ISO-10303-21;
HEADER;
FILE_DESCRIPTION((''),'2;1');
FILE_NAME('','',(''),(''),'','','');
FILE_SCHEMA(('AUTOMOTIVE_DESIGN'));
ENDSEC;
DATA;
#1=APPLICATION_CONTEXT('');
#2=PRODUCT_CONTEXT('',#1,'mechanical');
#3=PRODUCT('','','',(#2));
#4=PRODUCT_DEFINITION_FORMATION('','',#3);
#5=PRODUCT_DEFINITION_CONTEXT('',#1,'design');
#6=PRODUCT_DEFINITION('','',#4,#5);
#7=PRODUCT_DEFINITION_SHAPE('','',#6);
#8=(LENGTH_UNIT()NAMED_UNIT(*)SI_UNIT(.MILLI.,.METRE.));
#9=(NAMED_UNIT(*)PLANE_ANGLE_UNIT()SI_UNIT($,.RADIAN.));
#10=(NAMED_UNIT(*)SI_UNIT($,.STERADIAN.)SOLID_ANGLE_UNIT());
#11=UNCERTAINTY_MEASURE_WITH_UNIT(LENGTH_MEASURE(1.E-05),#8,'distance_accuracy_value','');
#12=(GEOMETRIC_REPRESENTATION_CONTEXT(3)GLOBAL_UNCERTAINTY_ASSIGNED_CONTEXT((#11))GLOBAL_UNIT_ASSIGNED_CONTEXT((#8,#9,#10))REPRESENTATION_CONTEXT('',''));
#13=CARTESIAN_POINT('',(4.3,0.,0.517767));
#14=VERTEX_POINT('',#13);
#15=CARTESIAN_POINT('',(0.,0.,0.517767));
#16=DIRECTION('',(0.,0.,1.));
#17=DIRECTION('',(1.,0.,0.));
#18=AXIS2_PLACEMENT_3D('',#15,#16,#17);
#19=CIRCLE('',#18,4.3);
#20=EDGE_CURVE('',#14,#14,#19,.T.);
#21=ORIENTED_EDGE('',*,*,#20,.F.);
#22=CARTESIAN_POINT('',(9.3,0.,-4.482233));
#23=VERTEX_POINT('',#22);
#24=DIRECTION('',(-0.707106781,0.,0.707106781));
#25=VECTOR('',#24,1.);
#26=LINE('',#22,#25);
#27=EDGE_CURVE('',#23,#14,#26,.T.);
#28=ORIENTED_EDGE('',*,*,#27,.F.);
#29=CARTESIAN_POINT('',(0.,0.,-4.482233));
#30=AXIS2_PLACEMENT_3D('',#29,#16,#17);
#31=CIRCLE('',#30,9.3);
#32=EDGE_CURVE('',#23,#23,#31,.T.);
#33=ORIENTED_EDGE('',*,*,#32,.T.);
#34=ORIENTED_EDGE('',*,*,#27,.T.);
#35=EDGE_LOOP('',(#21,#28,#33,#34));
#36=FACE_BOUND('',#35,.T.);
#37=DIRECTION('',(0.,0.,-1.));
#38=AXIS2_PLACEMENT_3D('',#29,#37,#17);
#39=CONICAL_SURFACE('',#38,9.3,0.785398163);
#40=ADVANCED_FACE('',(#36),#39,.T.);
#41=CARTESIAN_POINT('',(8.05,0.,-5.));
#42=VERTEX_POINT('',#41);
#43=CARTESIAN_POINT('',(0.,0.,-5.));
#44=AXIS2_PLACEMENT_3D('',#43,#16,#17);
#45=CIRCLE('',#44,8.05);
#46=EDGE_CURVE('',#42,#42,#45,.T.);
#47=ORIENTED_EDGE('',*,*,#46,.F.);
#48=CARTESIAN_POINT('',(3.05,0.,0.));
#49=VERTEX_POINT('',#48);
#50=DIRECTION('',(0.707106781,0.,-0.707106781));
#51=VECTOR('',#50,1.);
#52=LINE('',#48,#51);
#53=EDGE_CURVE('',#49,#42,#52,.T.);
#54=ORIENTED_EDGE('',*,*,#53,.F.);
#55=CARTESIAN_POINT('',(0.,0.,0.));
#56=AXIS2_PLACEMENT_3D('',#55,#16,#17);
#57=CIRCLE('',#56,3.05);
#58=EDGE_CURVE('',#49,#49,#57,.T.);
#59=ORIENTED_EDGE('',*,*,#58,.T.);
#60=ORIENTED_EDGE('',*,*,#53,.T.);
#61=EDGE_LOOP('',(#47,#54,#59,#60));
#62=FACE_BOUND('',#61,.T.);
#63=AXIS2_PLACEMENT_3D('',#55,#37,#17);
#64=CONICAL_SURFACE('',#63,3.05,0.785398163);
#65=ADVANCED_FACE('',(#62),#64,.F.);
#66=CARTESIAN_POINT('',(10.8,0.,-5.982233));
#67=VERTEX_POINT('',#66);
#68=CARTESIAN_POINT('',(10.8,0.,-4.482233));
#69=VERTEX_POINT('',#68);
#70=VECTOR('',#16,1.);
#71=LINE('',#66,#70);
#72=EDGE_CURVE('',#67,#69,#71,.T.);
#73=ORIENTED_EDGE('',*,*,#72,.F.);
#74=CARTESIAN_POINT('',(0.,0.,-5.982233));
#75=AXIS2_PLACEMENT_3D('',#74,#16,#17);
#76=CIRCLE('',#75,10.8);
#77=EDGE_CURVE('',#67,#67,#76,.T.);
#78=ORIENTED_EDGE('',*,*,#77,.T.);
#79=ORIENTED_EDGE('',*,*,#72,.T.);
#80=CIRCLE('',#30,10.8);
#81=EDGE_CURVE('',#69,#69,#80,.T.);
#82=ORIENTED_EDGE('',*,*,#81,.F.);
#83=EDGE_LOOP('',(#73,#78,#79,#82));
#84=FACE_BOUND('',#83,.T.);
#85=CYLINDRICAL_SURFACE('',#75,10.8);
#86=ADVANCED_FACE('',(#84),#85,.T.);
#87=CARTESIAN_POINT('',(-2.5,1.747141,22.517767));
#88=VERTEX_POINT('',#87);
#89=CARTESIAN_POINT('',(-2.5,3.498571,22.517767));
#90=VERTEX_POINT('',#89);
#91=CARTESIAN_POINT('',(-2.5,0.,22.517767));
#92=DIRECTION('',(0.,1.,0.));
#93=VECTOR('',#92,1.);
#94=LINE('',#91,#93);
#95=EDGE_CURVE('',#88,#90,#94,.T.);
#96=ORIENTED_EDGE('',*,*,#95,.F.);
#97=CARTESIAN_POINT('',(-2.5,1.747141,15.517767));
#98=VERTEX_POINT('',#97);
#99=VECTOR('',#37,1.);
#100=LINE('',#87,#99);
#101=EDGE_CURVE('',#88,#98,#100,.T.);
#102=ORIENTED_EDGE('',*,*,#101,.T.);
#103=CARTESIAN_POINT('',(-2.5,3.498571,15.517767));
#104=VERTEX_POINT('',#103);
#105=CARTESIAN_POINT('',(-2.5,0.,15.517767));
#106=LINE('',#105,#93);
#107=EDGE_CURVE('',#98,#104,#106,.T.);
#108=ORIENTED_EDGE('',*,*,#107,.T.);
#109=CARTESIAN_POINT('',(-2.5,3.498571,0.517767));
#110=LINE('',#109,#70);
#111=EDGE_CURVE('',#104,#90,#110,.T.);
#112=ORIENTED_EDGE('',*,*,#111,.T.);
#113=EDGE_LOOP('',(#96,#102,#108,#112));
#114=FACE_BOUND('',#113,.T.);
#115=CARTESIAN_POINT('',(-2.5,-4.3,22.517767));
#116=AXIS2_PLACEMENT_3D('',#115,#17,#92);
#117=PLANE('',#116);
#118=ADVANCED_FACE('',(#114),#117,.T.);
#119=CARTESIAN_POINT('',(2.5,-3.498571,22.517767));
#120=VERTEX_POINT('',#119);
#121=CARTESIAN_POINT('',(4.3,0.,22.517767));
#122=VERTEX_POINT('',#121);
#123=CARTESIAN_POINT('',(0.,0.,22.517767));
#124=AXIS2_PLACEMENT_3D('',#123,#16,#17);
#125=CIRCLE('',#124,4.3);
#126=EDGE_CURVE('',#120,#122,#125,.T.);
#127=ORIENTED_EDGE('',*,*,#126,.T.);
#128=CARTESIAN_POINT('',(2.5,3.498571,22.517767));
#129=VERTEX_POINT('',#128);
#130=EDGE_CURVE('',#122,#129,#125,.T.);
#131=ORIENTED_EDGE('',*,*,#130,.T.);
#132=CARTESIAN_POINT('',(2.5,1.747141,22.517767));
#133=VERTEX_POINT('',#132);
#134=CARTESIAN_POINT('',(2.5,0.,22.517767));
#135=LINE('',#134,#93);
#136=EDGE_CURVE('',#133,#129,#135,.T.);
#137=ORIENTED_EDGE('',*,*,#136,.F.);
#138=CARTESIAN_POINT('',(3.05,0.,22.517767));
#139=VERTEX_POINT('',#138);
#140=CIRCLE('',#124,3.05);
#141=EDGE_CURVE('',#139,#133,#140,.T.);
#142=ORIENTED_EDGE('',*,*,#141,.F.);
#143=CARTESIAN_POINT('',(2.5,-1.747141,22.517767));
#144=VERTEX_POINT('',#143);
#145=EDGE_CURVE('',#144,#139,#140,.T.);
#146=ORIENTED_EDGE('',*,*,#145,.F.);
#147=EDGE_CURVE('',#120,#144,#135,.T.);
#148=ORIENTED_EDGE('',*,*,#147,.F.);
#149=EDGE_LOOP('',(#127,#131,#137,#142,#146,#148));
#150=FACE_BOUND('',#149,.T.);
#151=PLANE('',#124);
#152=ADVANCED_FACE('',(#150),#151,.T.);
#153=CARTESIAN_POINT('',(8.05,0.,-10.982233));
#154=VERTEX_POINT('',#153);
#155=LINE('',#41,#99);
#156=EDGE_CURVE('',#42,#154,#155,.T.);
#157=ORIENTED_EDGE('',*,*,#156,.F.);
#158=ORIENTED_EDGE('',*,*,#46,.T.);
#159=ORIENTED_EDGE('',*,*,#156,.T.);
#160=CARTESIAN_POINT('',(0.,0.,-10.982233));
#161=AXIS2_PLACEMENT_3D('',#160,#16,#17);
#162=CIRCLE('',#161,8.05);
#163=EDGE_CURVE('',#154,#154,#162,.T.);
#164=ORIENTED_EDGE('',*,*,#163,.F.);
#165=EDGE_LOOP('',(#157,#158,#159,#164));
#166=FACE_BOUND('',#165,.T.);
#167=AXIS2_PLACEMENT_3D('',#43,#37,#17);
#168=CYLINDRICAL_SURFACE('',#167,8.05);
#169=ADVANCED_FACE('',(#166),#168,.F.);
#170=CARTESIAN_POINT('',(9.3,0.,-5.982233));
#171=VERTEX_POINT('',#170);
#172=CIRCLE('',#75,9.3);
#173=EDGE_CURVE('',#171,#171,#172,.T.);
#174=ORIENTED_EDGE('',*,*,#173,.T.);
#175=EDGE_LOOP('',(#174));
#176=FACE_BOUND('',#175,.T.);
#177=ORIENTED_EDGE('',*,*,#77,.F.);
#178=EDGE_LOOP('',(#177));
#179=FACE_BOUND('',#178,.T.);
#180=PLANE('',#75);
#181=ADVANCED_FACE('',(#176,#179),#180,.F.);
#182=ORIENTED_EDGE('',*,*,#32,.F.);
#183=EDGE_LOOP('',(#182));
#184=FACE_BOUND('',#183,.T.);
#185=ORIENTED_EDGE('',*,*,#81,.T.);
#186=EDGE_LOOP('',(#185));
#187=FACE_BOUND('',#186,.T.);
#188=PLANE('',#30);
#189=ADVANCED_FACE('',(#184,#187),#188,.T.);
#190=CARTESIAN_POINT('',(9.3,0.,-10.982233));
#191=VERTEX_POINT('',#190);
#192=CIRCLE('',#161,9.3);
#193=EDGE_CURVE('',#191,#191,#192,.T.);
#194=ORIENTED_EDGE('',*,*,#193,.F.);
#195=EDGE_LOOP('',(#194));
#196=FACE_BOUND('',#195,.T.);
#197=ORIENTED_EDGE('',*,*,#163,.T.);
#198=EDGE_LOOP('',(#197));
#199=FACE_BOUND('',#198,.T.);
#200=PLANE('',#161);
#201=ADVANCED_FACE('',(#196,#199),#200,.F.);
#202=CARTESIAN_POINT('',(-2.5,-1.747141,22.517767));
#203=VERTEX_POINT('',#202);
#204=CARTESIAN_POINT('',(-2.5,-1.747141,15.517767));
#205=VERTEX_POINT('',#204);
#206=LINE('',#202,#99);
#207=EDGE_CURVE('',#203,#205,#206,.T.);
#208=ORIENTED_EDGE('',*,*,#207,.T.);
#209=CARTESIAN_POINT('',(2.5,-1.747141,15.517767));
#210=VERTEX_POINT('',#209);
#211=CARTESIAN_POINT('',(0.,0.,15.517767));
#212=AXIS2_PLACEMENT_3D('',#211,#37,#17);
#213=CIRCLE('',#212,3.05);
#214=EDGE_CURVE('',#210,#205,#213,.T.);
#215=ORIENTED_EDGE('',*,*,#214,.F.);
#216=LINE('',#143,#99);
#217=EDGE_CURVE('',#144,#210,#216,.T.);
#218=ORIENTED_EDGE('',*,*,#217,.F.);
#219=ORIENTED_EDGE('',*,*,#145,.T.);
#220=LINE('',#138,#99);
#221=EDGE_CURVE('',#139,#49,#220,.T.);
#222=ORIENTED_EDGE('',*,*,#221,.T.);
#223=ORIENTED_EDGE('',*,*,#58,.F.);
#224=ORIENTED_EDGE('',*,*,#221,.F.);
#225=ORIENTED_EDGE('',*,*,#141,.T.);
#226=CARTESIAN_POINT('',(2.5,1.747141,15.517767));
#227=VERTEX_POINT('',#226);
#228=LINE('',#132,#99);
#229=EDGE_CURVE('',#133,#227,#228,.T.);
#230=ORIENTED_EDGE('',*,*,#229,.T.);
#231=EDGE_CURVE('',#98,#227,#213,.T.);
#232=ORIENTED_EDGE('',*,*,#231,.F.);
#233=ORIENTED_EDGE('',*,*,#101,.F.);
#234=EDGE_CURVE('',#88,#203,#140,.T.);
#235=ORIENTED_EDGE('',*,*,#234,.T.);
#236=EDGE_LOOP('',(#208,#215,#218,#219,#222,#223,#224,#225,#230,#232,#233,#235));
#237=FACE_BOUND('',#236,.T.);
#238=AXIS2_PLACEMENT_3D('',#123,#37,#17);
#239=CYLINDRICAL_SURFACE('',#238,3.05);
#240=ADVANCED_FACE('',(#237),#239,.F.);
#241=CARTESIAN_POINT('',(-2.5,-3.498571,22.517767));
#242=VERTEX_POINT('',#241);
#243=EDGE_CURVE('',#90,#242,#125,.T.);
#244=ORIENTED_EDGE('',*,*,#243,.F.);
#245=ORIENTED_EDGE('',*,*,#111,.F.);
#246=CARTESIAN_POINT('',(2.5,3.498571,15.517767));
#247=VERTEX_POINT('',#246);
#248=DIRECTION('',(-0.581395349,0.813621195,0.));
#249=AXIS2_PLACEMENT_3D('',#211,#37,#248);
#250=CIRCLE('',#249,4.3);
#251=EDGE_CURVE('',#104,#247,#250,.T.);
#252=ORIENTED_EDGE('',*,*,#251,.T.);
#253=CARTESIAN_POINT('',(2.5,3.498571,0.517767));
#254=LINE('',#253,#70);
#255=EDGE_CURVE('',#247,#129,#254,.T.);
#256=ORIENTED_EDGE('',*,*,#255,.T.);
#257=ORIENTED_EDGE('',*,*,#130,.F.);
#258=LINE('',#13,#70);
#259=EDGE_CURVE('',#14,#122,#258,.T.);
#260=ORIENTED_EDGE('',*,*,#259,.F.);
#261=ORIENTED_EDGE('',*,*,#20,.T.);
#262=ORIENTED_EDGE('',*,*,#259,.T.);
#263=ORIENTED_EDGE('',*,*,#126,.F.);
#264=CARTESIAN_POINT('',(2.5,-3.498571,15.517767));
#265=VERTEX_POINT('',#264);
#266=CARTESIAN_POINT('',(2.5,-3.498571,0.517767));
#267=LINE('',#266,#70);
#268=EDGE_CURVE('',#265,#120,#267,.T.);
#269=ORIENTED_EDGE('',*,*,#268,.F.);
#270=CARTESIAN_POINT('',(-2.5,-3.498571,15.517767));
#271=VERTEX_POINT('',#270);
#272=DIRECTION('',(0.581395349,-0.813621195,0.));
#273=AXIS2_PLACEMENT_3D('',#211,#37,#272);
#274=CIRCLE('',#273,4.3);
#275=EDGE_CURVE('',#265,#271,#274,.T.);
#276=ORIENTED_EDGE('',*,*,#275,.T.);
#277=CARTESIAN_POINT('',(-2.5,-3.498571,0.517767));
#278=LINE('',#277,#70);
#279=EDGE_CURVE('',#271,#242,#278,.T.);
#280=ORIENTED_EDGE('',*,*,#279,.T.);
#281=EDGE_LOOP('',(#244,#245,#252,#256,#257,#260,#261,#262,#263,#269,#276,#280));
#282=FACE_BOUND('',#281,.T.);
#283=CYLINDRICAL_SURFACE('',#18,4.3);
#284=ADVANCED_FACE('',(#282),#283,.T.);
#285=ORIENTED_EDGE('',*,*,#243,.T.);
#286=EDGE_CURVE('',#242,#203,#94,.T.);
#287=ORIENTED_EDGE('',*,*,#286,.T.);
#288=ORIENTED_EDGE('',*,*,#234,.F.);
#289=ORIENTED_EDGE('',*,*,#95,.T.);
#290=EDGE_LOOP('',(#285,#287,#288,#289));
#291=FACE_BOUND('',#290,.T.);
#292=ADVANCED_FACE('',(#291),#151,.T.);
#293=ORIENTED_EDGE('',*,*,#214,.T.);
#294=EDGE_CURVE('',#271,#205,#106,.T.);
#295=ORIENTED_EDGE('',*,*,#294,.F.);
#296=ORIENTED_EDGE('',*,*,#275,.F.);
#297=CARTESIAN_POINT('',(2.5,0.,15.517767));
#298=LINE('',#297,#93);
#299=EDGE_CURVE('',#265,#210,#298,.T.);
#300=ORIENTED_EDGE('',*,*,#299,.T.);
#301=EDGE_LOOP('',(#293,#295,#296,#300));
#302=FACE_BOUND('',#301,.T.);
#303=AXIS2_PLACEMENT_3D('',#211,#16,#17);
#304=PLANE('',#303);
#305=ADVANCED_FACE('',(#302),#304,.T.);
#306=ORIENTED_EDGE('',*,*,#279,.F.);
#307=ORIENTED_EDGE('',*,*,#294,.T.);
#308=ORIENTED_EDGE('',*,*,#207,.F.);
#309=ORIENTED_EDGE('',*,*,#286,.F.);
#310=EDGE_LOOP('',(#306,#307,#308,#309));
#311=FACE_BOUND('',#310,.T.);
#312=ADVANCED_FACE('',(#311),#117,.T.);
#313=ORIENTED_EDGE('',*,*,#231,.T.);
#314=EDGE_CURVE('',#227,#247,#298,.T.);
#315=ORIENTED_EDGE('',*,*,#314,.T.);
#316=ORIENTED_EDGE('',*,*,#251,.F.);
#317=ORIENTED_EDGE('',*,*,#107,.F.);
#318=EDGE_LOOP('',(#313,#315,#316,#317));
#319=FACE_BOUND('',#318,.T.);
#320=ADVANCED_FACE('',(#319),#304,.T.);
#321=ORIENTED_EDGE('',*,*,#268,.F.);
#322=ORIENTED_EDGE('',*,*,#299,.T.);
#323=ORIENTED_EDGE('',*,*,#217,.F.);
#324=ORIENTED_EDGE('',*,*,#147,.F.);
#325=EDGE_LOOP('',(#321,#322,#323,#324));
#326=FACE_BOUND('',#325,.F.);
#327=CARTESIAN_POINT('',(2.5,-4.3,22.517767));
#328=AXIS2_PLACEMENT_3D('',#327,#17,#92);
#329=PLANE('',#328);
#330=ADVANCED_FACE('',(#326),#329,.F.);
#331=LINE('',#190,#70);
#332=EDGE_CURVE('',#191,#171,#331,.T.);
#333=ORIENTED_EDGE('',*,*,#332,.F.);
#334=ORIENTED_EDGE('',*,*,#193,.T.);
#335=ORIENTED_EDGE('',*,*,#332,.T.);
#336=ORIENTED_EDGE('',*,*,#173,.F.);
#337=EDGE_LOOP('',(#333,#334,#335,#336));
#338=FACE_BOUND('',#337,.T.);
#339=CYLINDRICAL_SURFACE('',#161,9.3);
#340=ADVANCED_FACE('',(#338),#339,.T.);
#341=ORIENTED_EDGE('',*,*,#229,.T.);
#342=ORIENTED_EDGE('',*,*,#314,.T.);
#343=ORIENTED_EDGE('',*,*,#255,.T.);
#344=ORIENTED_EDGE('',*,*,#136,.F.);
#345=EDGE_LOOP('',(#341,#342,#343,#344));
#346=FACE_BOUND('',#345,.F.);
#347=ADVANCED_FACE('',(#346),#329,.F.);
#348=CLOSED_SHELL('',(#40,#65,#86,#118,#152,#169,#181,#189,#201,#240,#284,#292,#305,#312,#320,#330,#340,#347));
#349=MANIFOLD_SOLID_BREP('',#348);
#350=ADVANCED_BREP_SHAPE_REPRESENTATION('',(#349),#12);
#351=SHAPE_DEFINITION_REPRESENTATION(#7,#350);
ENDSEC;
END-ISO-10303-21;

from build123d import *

# Parameters (mm, degrees)
F2_W     = 5
F2_H     = 8.6
F3_DEPTH = 7


with BuildPart() as f1:
    # F0 (on Front) → F1 (revolve)
    with BuildSketch(Plane.XZ):
        Polygon((4.3, 22.517767), (3.05, 22.517767), (3.05, 0), (8.05, -5), (8.05, -10.982233), (9.3, -10.982233), (9.3, -5.982233), (10.8, -5.982233), (10.8, -4.482233), (9.3, -4.482233), (4.3, 0.517767), align=None)
    revolve(axis=Axis((0, 0, 11.258883), (0, 0, 1)))

    # F2 (on face) → F3 (cut)
    with BuildSketch(Plane.XY.offset(22.517767)):
        Rectangle(F2_W, F2_H)
    extrude(amount=-F3_DEPTH, mode=Mode.SUBTRACT)


solid = f1.part
